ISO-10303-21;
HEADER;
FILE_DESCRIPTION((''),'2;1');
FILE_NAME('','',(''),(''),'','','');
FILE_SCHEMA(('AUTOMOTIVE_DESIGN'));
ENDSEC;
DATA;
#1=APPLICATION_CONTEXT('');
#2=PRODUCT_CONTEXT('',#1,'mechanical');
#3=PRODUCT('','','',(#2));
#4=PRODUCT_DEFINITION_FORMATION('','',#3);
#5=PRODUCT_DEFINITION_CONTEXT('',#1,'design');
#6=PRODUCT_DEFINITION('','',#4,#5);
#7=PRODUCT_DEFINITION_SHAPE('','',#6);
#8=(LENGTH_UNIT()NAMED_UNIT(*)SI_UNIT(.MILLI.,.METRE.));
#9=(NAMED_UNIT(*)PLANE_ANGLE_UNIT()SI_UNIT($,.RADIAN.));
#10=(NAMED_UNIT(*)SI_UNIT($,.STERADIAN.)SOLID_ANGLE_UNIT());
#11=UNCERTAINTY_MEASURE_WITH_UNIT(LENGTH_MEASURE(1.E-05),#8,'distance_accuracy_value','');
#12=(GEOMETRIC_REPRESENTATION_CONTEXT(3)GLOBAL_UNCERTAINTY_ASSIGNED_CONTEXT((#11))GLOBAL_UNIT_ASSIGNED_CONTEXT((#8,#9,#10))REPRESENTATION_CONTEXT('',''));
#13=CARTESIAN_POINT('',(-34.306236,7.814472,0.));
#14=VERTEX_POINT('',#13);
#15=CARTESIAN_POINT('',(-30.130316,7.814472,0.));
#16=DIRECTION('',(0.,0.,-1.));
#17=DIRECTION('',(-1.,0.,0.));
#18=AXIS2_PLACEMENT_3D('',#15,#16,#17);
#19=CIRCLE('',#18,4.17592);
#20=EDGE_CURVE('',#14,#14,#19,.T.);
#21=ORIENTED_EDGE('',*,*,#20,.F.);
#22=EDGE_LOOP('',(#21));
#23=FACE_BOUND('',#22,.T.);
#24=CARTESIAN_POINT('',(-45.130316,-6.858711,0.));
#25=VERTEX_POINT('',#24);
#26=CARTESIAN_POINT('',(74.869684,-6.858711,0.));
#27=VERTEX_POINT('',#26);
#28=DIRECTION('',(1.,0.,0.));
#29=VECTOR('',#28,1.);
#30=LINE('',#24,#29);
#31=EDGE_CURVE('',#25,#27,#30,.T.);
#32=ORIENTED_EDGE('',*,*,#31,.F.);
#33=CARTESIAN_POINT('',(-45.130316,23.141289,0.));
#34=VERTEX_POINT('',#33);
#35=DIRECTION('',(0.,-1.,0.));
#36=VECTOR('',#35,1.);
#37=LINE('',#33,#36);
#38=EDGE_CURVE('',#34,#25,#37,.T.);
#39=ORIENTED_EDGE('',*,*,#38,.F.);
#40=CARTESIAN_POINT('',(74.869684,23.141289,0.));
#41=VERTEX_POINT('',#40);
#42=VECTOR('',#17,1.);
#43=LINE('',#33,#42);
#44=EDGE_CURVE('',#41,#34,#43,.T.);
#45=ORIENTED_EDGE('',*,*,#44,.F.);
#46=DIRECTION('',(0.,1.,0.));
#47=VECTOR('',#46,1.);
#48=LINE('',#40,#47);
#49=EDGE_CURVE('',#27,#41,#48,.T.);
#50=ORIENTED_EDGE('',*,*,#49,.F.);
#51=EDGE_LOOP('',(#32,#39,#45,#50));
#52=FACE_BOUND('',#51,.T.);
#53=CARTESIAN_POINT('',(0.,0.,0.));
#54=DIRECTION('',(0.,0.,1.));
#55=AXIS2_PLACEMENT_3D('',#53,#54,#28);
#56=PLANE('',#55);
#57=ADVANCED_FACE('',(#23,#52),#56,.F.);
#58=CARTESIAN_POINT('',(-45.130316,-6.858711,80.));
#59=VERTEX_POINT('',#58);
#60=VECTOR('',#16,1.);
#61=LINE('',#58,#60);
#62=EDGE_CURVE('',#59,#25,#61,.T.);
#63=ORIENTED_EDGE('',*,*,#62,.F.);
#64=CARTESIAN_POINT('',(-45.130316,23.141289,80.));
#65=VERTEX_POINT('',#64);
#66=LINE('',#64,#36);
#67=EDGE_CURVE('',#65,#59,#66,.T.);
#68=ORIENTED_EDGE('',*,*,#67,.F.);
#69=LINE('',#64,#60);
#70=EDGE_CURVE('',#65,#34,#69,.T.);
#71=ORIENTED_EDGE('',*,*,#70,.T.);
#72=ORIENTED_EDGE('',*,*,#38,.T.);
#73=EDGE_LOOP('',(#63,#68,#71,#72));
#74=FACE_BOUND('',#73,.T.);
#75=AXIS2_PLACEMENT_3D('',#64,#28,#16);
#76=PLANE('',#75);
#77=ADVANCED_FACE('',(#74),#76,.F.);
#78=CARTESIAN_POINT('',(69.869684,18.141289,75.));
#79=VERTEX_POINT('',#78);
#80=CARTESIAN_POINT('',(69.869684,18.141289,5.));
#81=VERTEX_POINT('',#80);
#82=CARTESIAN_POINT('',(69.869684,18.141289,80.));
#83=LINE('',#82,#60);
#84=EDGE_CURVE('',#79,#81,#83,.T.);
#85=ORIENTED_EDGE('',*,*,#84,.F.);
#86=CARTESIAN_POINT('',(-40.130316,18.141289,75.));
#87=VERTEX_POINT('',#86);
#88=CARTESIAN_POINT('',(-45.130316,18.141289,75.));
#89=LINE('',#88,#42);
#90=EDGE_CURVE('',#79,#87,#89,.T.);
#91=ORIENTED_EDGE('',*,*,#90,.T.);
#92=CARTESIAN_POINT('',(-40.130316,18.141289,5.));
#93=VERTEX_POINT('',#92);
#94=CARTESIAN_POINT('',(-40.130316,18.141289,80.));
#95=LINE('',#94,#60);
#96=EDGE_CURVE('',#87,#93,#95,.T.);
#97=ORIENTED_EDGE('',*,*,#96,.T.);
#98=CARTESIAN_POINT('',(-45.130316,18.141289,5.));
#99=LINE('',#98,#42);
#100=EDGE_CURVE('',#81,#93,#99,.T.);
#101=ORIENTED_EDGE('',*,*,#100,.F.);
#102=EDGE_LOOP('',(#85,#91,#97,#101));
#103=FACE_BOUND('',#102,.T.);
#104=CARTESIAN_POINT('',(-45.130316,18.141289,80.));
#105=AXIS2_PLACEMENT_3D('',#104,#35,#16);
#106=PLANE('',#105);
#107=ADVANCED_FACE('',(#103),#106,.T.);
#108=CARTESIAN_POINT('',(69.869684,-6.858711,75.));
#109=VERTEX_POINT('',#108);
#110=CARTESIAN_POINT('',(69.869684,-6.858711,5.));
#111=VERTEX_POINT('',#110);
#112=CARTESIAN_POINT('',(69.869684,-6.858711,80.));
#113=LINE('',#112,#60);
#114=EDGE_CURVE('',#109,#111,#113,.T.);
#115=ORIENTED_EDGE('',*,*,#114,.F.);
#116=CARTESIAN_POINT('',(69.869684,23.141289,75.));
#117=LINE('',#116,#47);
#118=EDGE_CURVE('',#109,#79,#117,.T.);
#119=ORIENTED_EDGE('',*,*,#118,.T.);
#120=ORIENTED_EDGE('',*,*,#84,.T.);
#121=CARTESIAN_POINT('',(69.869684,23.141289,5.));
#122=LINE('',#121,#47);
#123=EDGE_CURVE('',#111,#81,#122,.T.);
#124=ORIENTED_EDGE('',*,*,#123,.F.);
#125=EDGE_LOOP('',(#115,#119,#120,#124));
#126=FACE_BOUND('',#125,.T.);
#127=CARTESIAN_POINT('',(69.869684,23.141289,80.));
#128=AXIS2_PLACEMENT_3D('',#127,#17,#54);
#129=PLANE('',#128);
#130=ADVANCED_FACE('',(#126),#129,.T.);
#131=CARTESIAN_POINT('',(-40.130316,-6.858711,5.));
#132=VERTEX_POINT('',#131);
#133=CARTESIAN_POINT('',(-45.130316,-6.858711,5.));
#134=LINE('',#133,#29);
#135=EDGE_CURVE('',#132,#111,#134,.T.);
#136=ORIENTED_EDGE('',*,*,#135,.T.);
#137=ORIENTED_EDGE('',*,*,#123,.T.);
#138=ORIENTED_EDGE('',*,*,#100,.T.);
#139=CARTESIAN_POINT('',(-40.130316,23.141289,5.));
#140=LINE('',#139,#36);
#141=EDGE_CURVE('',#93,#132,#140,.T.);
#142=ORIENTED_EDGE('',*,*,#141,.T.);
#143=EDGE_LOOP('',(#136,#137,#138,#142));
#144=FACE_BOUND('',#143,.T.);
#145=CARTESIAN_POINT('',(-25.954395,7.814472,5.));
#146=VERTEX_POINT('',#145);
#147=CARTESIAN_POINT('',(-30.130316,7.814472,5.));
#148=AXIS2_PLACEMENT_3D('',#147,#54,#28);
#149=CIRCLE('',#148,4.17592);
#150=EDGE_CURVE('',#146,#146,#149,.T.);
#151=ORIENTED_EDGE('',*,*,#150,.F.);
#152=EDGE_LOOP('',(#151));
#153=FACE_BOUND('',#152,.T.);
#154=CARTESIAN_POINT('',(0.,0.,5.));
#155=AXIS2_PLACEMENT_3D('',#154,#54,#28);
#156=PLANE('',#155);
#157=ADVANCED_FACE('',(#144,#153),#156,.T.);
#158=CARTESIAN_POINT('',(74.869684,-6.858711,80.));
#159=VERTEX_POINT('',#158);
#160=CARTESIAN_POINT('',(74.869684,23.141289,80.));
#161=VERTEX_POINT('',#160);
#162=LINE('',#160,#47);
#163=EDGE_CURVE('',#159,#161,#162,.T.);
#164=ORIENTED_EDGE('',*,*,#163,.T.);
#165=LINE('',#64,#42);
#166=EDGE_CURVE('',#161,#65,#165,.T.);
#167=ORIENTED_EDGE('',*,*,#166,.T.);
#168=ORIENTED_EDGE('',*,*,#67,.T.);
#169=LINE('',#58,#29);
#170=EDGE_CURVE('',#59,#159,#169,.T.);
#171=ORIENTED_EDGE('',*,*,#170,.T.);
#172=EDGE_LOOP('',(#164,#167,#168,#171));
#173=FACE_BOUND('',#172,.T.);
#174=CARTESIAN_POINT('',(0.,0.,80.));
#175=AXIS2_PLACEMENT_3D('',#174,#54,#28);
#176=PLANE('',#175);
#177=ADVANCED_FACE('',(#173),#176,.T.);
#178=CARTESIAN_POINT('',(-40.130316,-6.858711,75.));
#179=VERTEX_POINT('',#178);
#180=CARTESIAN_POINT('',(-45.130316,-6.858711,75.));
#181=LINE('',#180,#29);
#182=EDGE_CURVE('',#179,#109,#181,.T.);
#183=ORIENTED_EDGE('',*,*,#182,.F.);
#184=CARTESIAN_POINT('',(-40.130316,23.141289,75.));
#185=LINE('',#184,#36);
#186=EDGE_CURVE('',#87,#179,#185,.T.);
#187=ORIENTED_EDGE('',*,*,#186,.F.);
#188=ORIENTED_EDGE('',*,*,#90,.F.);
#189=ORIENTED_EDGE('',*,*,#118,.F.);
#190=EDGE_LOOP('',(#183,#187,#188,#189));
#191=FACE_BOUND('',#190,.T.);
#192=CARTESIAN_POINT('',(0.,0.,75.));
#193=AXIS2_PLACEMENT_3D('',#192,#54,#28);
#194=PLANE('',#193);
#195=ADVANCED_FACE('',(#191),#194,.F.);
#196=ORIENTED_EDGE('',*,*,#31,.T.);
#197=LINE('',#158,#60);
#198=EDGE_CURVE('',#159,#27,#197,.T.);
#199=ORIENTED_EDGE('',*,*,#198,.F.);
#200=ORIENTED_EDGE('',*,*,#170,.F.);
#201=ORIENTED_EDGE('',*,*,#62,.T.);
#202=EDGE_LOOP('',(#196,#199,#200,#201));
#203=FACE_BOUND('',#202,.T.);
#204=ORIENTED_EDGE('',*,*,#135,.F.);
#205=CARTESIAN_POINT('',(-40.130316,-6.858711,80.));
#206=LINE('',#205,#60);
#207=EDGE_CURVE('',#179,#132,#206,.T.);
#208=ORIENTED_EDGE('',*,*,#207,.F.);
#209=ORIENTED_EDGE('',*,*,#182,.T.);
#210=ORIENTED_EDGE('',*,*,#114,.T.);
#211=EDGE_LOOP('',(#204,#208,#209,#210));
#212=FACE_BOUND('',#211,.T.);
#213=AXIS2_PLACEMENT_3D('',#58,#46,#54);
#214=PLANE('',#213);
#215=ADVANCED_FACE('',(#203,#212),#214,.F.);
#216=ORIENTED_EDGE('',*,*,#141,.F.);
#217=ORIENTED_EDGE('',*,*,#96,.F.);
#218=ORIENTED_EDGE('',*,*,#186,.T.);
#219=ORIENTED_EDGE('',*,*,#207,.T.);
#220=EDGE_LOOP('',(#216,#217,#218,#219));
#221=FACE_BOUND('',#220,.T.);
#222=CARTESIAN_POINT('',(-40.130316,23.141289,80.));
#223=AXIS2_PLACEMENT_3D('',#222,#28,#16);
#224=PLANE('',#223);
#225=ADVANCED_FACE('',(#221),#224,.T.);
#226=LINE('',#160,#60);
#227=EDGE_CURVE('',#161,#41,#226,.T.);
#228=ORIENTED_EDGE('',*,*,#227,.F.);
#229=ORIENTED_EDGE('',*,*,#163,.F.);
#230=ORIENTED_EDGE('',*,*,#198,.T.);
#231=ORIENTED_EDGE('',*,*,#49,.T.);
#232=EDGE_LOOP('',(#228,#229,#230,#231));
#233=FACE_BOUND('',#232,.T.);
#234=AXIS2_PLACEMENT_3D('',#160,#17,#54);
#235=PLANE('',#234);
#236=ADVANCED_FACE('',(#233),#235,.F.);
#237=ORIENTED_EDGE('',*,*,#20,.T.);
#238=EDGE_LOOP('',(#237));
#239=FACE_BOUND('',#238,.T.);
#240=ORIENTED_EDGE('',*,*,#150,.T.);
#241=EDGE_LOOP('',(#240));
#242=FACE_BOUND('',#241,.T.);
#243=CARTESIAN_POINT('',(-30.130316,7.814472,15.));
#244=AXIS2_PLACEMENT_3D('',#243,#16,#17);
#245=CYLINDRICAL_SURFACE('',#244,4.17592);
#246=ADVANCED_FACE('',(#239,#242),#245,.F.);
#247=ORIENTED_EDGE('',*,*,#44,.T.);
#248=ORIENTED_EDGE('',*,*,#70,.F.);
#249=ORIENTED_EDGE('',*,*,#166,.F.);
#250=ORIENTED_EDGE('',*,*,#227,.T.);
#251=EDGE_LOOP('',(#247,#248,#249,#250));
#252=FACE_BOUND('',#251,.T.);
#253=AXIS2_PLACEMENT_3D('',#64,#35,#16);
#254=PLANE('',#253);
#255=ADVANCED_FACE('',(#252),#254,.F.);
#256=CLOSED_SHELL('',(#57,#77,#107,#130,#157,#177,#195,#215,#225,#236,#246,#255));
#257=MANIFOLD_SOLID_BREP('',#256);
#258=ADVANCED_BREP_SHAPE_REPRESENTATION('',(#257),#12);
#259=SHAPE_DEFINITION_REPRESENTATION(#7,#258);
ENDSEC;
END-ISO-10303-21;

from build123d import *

# Parameters (mm, degrees)
SKETCH1_W           = 120
SKETCH1_H           = 30
BOSS_EXTRUDE1_DEPTH = 80
SHELL1_T            = -5
SKETCH2_R           = 4.17592015
CUT_EXTRUDE1_DEPTH  = 15
LPATTERN1_COUNT     = 4
LPATTERN1_PITCH     = 110


with BuildPart() as part:
    # Sketch1 → Boss-Extrude1 (new body)
    with BuildSketch(Plane.XY):
        with Locations((14.869684499, 8.141289438)):
            Rectangle(SKETCH1_W, SKETCH1_H)
    extrude(amount=BOSS_EXTRUDE1_DEPTH)

    # Shell1
    shell1_openings = [part.faces().sort_by_distance(p)[0] for p in [
        (14.869684499, -6.858710562, 40),
    ]]
    offset(amount=SHELL1_T, openings=shell1_openings, kind=Kind.INTERSECTION)

    # Sketch2 → Cut-Extrude1 (cut)
    with BuildSketch(Plane(origin=(0, 0, 0), x_dir=(-1, 0, 0), z_dir=(0, 0, -1))):
        with Locations((30.130315501, 7.814471991)):
            Circle(SKETCH2_R)
    cut_extrude1 = extrude(amount=-CUT_EXTRUDE1_DEPTH, mode=Mode.SUBTRACT)

    # LPattern1: Cut-Extrude1 ×4
    with Locations(*[(-i * LPATTERN1_PITCH, 0, 0) for i in range(1, LPATTERN1_COUNT)]):
        add(cut_extrude1, mode=Mode.SUBTRACT)


solid = part.part
